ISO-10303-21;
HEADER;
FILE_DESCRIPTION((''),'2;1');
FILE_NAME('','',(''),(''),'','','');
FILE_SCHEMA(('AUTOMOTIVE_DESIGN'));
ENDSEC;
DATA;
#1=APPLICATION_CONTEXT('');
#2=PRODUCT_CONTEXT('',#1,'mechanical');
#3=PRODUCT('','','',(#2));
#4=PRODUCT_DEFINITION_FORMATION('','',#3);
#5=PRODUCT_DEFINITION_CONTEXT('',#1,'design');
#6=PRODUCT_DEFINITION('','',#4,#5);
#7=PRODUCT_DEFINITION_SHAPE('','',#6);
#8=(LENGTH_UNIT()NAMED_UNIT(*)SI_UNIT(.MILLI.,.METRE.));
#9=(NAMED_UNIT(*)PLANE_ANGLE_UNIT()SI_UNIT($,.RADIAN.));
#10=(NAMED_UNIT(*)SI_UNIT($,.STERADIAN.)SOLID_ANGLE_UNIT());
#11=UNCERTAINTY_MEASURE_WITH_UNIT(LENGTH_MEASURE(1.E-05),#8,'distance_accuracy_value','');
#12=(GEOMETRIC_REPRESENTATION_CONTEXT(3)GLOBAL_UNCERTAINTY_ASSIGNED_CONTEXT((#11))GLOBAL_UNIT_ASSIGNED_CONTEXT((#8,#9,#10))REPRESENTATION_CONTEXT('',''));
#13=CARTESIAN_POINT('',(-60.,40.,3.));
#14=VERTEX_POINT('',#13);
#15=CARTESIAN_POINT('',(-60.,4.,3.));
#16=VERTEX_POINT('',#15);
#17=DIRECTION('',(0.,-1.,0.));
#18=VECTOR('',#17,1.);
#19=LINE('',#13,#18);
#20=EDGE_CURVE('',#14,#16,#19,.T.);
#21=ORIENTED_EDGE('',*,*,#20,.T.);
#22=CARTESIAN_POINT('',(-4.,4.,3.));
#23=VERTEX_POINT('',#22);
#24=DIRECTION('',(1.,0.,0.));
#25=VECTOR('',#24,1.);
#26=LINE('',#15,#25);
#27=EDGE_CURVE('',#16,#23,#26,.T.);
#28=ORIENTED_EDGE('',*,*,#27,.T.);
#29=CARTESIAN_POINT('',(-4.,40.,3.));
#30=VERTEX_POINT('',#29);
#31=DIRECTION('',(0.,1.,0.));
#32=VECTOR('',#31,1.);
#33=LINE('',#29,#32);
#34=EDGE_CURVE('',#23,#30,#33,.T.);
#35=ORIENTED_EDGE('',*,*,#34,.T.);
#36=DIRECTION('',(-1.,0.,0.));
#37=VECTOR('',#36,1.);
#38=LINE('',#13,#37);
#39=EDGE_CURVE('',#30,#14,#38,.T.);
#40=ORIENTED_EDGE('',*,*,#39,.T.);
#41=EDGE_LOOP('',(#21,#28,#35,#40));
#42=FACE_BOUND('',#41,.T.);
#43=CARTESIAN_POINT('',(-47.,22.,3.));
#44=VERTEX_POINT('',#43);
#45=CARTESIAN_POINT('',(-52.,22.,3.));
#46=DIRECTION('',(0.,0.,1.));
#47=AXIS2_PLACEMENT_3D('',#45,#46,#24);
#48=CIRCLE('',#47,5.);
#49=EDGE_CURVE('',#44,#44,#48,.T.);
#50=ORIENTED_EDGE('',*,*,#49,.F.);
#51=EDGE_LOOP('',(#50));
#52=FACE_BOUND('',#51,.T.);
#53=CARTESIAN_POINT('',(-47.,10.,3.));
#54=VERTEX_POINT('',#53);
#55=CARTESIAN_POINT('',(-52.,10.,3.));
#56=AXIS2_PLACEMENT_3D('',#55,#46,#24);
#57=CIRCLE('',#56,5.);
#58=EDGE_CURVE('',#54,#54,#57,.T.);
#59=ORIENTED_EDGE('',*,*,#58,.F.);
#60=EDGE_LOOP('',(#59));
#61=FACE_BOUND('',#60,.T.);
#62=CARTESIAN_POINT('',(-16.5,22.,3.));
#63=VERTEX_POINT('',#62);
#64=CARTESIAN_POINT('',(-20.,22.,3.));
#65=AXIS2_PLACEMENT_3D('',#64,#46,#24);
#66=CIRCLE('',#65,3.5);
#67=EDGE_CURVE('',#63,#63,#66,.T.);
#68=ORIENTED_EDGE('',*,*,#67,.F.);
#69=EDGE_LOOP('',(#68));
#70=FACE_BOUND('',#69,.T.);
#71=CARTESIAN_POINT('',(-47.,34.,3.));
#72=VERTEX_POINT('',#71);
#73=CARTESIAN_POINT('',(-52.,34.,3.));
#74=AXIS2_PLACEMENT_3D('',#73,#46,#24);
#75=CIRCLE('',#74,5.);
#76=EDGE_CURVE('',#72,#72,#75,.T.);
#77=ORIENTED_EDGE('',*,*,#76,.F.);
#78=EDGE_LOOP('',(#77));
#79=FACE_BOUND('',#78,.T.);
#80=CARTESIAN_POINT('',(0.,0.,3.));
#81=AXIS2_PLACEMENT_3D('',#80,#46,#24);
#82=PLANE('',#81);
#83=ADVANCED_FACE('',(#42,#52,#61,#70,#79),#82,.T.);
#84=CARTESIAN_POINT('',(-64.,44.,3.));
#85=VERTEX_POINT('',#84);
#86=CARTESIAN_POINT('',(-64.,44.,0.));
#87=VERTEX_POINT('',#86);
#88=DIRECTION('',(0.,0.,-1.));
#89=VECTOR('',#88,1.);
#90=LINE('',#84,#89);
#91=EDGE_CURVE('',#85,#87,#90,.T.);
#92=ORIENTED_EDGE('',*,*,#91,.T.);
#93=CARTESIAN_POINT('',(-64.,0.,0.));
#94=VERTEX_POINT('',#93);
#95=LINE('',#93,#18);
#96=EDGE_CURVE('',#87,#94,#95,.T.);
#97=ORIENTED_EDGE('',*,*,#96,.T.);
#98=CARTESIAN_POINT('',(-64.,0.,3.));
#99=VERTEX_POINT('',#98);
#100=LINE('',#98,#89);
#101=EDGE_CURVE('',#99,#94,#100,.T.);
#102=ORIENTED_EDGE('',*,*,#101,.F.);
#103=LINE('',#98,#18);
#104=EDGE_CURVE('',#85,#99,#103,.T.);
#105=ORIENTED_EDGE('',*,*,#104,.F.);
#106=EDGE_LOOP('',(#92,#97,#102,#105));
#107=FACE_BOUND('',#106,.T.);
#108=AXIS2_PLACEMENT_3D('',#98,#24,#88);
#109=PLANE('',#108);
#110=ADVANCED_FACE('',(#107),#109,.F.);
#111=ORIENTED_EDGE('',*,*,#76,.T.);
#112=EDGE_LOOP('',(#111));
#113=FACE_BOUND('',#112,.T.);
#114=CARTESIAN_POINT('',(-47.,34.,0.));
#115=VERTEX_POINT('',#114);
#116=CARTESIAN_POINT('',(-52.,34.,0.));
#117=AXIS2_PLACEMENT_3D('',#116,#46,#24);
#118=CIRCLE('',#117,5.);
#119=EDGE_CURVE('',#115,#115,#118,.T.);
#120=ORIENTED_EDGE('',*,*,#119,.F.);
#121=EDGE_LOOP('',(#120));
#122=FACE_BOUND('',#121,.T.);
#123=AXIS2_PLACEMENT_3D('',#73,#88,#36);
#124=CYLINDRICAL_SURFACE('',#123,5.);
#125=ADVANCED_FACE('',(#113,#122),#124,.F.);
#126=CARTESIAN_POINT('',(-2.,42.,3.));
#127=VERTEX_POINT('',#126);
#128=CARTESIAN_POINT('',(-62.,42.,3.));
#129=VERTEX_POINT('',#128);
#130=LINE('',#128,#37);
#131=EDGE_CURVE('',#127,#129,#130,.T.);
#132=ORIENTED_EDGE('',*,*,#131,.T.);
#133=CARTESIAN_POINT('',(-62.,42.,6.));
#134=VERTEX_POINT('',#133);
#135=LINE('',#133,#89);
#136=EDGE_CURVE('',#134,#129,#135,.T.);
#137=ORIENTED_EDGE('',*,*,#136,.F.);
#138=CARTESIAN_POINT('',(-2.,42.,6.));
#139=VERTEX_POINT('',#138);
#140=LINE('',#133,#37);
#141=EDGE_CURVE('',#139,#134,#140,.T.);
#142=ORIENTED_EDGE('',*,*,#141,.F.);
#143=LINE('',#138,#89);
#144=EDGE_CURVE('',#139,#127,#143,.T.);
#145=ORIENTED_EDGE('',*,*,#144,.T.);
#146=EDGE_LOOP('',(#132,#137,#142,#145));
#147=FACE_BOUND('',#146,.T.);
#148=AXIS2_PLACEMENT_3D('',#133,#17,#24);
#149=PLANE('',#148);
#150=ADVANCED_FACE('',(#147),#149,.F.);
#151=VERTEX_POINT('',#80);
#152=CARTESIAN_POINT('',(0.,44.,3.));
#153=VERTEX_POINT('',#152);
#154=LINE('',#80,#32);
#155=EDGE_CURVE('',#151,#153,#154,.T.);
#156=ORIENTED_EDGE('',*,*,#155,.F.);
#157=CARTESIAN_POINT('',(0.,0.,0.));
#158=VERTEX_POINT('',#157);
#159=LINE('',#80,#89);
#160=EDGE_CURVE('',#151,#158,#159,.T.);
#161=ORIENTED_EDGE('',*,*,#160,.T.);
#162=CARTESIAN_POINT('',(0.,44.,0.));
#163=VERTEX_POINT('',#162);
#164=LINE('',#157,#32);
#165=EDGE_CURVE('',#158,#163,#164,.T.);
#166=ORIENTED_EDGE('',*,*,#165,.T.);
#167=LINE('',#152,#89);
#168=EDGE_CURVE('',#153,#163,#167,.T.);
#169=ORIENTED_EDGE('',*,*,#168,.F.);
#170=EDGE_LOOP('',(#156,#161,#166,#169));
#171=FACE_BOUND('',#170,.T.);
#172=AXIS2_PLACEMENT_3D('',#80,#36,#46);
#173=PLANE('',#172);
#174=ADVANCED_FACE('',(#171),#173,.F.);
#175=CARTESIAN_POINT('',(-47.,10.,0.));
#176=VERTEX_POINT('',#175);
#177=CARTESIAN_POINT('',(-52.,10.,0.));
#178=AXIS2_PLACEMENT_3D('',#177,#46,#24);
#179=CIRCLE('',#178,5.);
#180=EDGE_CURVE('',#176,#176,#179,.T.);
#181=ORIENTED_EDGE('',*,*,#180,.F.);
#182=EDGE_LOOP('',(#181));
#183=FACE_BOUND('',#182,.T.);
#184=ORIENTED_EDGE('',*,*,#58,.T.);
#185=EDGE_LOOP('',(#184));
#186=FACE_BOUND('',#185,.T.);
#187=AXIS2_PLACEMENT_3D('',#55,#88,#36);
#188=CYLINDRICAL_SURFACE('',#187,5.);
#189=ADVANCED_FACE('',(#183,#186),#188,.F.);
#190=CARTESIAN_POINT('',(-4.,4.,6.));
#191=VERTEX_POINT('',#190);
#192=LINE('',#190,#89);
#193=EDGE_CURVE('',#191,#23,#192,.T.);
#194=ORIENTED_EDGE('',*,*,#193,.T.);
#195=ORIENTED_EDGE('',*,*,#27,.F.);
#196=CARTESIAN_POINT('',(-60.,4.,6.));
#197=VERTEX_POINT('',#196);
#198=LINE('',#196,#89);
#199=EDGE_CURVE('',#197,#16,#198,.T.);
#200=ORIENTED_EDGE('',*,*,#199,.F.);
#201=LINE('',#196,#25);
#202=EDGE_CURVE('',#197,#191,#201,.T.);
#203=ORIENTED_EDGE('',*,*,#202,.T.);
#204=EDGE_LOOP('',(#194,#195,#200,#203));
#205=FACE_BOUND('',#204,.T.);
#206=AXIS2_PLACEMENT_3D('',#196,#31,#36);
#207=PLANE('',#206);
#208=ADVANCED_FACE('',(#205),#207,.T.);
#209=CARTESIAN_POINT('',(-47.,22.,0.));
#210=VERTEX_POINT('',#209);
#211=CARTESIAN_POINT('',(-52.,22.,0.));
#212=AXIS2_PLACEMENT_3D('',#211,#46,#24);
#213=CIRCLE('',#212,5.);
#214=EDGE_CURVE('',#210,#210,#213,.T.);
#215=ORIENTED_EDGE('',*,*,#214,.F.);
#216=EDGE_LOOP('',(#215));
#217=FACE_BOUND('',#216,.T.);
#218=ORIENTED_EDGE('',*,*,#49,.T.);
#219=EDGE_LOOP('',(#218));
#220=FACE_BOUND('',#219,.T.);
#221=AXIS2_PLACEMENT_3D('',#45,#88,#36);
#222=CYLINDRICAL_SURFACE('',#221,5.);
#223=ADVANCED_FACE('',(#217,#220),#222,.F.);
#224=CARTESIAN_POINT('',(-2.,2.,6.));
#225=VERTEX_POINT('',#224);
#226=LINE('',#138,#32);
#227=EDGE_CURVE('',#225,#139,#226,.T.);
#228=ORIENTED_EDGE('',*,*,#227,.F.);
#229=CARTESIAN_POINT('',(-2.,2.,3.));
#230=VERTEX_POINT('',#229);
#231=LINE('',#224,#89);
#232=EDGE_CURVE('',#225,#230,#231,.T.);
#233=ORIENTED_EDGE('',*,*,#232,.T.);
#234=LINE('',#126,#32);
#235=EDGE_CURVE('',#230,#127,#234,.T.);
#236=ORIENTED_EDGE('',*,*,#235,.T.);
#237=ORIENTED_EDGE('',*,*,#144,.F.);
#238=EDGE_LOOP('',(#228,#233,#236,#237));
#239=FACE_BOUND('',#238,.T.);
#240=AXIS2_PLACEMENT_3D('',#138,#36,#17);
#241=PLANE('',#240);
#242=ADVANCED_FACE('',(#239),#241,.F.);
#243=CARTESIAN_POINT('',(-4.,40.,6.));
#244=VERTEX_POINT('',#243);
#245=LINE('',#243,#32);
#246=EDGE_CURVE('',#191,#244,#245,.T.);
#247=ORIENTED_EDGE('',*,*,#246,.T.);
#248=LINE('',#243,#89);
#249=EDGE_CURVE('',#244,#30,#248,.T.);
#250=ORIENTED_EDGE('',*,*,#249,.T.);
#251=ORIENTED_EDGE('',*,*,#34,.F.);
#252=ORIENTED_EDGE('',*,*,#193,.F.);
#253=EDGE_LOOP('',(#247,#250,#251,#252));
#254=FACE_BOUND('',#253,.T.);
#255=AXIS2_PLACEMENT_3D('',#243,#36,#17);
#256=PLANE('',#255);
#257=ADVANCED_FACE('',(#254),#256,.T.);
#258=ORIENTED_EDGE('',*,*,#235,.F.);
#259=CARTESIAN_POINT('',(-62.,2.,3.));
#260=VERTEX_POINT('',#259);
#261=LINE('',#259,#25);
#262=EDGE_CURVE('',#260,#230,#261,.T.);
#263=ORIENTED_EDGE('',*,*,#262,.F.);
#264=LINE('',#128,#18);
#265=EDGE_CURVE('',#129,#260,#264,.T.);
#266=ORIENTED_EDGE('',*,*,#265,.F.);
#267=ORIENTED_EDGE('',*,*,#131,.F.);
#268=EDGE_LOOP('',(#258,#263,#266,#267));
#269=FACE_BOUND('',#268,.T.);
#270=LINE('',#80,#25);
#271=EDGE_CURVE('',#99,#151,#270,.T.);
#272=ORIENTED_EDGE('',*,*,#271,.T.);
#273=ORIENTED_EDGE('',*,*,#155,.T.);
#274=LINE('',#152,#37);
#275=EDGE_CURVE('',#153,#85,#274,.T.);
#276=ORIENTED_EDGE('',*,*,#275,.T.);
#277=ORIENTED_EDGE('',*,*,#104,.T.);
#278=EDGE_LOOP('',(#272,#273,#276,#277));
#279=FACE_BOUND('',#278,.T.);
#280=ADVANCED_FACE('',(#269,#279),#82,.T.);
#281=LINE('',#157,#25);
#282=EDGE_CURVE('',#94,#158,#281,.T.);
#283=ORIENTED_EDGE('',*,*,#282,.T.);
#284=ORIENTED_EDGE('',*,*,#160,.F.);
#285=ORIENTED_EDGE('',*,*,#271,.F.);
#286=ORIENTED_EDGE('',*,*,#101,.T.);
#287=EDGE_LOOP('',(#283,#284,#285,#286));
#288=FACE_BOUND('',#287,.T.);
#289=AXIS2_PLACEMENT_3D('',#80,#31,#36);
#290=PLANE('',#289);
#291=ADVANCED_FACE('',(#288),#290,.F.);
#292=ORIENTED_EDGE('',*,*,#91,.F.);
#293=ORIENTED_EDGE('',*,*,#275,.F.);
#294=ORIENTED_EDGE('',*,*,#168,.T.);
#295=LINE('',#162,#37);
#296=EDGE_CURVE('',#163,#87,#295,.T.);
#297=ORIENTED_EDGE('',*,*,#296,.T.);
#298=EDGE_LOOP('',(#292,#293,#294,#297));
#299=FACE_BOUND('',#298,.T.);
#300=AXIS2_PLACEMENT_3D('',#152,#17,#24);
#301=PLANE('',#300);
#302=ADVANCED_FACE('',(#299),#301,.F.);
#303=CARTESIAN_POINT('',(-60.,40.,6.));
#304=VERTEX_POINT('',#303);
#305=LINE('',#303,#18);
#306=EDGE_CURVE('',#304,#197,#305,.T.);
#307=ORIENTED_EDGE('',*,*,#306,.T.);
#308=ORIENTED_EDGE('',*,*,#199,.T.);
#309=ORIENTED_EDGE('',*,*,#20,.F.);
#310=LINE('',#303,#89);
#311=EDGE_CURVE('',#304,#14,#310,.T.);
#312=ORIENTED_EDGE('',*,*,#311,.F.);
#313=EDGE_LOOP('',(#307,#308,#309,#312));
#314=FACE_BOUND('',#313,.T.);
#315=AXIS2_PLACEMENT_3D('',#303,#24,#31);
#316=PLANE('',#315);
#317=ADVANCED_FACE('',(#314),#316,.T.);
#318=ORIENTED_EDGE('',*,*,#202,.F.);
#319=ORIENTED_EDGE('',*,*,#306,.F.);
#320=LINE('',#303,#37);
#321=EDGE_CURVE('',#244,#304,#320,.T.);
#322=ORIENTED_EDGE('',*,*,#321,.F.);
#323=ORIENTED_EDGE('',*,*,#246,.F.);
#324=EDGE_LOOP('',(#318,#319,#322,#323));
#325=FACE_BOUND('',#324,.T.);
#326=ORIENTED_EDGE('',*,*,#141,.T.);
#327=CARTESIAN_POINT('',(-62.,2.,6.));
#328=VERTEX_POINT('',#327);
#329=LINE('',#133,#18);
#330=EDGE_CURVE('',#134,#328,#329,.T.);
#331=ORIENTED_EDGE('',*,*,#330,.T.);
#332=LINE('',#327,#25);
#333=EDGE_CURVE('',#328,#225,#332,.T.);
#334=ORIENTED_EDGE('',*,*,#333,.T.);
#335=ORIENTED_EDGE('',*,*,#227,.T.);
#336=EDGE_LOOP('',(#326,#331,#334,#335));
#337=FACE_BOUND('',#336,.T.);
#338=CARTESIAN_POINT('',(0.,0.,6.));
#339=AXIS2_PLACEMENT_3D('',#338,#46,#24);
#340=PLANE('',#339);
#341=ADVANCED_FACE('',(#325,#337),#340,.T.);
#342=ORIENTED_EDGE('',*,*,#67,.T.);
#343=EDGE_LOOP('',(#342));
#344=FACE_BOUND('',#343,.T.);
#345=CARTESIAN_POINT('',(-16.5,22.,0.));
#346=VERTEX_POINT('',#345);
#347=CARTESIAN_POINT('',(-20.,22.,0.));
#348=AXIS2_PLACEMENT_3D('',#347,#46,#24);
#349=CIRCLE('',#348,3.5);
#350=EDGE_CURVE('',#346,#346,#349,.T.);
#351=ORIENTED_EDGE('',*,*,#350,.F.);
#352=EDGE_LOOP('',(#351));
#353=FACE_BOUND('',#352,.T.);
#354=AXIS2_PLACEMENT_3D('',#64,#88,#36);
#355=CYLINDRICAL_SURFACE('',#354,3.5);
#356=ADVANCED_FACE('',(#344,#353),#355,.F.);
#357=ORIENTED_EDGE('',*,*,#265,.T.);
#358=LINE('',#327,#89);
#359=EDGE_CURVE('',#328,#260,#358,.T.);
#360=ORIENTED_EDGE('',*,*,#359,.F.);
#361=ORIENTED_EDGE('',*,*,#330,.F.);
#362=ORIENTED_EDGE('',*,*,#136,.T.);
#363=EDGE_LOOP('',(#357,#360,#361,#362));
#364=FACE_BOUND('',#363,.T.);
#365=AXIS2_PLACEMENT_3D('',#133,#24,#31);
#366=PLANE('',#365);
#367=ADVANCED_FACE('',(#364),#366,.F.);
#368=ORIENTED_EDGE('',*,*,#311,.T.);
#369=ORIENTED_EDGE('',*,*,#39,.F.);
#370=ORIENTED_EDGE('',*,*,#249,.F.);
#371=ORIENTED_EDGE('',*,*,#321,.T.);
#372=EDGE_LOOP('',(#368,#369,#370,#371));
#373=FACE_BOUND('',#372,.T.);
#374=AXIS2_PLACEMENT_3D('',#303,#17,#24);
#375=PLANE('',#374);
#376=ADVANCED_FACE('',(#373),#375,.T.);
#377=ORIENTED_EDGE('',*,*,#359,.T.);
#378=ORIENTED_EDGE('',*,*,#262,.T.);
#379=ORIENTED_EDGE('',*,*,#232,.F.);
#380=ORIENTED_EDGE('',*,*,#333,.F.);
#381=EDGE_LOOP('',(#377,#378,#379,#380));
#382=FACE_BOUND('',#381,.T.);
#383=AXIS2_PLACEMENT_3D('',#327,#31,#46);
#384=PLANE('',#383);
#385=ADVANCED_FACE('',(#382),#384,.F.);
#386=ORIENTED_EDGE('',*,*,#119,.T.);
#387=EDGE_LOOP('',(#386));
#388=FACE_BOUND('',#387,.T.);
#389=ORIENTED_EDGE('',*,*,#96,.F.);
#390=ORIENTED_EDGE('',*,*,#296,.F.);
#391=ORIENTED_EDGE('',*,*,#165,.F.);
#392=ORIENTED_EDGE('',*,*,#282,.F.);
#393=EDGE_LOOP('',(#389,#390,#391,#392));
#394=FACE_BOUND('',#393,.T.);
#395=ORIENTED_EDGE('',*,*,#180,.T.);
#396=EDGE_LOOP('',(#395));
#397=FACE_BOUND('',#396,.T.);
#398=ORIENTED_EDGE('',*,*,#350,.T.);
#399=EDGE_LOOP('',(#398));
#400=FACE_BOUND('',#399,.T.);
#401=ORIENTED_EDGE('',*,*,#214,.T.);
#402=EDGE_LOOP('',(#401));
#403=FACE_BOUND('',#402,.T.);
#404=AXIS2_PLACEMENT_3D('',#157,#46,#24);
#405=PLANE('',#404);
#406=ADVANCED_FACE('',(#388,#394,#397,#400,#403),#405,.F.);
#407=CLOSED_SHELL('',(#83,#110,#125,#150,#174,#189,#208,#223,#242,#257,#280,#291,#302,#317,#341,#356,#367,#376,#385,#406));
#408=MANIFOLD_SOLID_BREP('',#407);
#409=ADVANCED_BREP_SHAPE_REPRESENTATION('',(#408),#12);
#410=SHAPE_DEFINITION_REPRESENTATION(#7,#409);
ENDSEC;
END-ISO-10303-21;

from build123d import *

# Parameters (mm, degrees)
CROQUIS1_W              = 64
CROQUIS1_H              = 44
CROQUIS1_R              = 5
CROQUIS1_R_2            = 3.5
SALIENTE_EXTRUIR1_DEPTH = 3
CROQUIS3_W              = 60
CROQUIS3_H              = 40
CROQUIS3_W_2            = 56
CROQUIS3_H_2            = 36
SALIENTE_EXTRUIR2_DEPTH = 3


with BuildPart() as part:
    # Croquis1 → Saliente-Extruir1 (new body)
    with BuildSketch(Plane.XY):
        with Locations((-32, 22)):
            Rectangle(CROQUIS1_W, CROQUIS1_H)
        with Locations((-52, 34)):
            Circle(CROQUIS1_R, mode=Mode.SUBTRACT)
        with Locations((-52, 10)):
            Circle(CROQUIS1_R, mode=Mode.SUBTRACT)
        with Locations((-20, 22)):
            Circle(CROQUIS1_R_2, mode=Mode.SUBTRACT)
        with Locations((-52, 22)):
            Circle(CROQUIS1_R, mode=Mode.SUBTRACT)
    extrude(amount=SALIENTE_EXTRUIR1_DEPTH)

    # Croquis3 → Saliente-Extruir2 (add)
    with BuildSketch(Plane.XY.offset(3)):
        with Locations((-32, 22)):
            Rectangle(CROQUIS3_W, CROQUIS3_H)
        with Locations((-32, 22)):
            Rectangle(CROQUIS3_W_2, CROQUIS3_H_2, mode=Mode.SUBTRACT)
    extrude(amount=SALIENTE_EXTRUIR2_DEPTH)


solid = part.part
